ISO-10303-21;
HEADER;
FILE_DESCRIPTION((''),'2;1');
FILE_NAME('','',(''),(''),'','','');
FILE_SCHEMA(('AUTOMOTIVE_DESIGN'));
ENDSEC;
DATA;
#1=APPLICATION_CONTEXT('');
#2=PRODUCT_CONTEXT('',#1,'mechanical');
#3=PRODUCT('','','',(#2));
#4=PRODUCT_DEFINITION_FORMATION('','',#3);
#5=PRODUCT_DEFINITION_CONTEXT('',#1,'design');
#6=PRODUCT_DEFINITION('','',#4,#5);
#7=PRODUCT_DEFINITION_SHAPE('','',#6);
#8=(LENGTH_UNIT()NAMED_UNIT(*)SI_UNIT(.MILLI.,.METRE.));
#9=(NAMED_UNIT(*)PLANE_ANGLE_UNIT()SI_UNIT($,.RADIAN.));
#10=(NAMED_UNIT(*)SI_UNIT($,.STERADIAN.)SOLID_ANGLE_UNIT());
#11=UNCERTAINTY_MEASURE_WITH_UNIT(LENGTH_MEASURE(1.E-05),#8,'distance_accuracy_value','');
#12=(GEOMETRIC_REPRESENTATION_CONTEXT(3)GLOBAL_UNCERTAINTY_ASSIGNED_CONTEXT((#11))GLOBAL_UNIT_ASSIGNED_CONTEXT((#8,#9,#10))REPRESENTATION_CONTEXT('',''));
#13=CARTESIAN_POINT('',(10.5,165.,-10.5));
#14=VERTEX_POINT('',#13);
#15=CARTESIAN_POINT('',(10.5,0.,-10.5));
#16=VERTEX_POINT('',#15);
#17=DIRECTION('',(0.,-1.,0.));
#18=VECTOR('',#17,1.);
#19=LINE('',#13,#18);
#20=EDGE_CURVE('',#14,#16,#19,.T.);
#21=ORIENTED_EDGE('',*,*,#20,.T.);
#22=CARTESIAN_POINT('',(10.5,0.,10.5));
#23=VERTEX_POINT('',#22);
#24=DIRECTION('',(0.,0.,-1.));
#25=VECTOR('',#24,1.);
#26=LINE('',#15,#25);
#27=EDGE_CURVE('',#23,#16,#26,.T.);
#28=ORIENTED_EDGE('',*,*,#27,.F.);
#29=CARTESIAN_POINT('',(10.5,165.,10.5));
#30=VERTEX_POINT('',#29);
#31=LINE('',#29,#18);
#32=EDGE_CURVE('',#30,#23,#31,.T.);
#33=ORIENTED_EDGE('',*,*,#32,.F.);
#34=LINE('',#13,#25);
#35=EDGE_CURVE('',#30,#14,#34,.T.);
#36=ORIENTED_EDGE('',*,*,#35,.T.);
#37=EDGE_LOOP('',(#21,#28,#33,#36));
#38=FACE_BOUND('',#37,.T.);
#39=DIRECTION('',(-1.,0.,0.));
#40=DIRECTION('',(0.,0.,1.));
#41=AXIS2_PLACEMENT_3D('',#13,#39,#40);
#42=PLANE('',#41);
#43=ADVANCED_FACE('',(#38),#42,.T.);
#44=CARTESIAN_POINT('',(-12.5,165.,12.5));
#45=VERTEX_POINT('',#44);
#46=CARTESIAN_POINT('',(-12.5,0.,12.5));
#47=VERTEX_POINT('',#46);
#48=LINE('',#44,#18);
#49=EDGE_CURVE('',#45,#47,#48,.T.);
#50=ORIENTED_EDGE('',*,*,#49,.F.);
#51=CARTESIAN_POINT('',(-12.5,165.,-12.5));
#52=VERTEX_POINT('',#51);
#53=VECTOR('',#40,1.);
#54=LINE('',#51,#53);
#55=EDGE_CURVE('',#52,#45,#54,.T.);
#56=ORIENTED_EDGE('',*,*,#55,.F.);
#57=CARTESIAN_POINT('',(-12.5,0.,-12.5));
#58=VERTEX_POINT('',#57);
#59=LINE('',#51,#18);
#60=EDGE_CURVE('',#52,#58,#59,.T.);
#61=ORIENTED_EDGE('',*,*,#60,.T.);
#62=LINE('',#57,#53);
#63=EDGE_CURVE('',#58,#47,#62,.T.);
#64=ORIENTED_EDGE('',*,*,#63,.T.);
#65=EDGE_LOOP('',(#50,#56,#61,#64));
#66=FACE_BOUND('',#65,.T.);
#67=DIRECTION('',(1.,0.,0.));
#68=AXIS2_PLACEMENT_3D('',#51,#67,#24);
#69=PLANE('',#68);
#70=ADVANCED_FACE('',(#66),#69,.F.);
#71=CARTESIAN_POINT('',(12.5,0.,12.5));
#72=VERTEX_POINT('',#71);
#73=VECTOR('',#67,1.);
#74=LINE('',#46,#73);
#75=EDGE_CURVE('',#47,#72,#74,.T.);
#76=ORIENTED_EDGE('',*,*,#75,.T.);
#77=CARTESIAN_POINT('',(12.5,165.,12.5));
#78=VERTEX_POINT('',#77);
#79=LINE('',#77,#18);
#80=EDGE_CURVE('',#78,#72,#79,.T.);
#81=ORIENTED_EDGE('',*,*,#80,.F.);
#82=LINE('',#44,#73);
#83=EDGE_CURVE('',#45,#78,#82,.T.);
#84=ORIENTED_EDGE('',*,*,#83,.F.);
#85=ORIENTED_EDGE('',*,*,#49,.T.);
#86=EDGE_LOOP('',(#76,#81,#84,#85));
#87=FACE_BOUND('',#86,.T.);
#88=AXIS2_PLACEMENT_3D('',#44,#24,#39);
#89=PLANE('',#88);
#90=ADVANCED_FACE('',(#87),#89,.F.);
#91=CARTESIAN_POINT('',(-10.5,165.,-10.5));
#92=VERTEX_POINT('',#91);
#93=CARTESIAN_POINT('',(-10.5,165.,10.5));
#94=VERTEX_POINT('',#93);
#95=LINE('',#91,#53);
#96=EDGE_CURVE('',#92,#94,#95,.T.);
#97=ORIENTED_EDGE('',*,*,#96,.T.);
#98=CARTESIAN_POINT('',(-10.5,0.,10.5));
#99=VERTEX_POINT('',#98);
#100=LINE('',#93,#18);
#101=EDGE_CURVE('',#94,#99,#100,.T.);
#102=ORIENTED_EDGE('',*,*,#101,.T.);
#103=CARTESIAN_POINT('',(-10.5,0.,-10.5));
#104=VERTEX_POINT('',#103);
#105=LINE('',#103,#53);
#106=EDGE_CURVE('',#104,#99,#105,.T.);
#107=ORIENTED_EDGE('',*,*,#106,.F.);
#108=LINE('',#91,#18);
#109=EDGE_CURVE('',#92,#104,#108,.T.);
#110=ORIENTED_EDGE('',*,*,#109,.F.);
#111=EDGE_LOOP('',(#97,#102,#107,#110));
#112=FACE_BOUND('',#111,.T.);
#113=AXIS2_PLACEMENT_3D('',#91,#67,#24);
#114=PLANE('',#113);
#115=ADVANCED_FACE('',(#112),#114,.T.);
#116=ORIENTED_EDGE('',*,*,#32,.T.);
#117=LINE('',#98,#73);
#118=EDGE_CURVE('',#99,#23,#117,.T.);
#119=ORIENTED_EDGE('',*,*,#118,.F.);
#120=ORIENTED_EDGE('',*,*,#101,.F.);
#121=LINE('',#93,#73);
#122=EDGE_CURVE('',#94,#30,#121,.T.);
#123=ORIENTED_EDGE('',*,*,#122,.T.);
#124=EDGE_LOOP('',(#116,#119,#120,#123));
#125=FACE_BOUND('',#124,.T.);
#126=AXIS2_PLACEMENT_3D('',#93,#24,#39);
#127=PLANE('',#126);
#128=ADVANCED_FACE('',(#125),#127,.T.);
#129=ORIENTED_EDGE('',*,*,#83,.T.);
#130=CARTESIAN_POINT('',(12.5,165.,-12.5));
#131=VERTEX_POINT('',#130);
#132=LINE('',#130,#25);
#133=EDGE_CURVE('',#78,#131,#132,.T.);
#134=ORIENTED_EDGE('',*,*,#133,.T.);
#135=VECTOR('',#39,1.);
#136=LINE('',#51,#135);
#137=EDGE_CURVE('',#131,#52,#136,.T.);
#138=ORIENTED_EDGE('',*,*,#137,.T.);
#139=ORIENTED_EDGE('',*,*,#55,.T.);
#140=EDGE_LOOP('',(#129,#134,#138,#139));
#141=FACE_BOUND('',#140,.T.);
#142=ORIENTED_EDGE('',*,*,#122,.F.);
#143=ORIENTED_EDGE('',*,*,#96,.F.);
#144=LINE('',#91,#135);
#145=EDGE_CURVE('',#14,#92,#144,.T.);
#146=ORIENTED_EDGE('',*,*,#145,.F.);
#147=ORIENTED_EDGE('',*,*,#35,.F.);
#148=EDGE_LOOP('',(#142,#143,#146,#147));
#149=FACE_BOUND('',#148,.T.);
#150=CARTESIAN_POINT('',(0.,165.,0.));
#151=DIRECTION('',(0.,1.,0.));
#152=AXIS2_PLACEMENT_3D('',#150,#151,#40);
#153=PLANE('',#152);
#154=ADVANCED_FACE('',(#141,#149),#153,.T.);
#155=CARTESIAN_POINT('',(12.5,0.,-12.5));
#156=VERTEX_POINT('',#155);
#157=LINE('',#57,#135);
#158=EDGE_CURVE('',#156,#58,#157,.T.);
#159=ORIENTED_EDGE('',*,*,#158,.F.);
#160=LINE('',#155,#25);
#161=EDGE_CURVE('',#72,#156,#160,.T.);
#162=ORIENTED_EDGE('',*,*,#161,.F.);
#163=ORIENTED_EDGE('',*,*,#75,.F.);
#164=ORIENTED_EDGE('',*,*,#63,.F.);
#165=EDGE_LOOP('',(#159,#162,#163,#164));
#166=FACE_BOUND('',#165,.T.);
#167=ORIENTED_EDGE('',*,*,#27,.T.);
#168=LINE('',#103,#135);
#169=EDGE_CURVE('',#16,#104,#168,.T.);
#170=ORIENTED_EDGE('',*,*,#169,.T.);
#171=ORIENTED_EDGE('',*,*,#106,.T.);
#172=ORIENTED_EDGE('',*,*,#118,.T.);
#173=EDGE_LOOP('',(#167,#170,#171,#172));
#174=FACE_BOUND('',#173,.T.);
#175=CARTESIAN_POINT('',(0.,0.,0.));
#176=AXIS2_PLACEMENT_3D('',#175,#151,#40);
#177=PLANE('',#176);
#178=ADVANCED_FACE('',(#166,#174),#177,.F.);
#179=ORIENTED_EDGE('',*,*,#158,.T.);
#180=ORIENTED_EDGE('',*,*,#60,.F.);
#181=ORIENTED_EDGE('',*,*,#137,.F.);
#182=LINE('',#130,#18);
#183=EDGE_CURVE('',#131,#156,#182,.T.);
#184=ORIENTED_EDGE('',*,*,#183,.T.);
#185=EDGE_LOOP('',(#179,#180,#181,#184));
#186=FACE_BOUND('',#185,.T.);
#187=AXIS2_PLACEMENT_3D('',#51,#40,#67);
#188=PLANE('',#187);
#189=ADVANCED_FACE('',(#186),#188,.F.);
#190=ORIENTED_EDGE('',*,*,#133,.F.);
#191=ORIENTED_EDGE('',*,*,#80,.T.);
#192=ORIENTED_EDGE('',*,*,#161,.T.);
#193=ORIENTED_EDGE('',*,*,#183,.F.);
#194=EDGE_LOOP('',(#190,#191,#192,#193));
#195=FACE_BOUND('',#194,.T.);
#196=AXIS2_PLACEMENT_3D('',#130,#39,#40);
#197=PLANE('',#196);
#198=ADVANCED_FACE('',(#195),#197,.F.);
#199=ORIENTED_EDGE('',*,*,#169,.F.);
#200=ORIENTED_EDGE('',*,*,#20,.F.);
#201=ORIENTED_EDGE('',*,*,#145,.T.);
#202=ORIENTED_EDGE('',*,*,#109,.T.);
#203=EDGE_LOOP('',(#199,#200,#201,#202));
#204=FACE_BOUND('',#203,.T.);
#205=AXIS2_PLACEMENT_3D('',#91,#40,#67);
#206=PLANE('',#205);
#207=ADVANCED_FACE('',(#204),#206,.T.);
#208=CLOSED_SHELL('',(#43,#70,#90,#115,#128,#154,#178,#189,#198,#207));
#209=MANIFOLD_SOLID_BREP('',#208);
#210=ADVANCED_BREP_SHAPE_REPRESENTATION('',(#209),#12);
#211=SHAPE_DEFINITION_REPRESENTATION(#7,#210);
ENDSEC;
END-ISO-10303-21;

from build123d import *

# Parameters (mm, degrees)
SKETCH1_W           = 25
SKETCH1_H           = 25
SKETCH1_W_2         = 21
SKETCH1_H_2         = 21
BOSS_EXTRUDE1_DEPTH = 165


with BuildPart() as part:
    # Sketch1 → Boss-Extrude1 (new body)
    with BuildSketch(Plane(origin=(0, 0, 0), x_dir=(1, 0, 0), z_dir=(0, 1, 0))):
        Rectangle(SKETCH1_W, SKETCH1_H)
        Rectangle(SKETCH1_W_2, SKETCH1_H_2, mode=Mode.SUBTRACT)
    extrude(amount=BOSS_EXTRUDE1_DEPTH)


solid = part.part
